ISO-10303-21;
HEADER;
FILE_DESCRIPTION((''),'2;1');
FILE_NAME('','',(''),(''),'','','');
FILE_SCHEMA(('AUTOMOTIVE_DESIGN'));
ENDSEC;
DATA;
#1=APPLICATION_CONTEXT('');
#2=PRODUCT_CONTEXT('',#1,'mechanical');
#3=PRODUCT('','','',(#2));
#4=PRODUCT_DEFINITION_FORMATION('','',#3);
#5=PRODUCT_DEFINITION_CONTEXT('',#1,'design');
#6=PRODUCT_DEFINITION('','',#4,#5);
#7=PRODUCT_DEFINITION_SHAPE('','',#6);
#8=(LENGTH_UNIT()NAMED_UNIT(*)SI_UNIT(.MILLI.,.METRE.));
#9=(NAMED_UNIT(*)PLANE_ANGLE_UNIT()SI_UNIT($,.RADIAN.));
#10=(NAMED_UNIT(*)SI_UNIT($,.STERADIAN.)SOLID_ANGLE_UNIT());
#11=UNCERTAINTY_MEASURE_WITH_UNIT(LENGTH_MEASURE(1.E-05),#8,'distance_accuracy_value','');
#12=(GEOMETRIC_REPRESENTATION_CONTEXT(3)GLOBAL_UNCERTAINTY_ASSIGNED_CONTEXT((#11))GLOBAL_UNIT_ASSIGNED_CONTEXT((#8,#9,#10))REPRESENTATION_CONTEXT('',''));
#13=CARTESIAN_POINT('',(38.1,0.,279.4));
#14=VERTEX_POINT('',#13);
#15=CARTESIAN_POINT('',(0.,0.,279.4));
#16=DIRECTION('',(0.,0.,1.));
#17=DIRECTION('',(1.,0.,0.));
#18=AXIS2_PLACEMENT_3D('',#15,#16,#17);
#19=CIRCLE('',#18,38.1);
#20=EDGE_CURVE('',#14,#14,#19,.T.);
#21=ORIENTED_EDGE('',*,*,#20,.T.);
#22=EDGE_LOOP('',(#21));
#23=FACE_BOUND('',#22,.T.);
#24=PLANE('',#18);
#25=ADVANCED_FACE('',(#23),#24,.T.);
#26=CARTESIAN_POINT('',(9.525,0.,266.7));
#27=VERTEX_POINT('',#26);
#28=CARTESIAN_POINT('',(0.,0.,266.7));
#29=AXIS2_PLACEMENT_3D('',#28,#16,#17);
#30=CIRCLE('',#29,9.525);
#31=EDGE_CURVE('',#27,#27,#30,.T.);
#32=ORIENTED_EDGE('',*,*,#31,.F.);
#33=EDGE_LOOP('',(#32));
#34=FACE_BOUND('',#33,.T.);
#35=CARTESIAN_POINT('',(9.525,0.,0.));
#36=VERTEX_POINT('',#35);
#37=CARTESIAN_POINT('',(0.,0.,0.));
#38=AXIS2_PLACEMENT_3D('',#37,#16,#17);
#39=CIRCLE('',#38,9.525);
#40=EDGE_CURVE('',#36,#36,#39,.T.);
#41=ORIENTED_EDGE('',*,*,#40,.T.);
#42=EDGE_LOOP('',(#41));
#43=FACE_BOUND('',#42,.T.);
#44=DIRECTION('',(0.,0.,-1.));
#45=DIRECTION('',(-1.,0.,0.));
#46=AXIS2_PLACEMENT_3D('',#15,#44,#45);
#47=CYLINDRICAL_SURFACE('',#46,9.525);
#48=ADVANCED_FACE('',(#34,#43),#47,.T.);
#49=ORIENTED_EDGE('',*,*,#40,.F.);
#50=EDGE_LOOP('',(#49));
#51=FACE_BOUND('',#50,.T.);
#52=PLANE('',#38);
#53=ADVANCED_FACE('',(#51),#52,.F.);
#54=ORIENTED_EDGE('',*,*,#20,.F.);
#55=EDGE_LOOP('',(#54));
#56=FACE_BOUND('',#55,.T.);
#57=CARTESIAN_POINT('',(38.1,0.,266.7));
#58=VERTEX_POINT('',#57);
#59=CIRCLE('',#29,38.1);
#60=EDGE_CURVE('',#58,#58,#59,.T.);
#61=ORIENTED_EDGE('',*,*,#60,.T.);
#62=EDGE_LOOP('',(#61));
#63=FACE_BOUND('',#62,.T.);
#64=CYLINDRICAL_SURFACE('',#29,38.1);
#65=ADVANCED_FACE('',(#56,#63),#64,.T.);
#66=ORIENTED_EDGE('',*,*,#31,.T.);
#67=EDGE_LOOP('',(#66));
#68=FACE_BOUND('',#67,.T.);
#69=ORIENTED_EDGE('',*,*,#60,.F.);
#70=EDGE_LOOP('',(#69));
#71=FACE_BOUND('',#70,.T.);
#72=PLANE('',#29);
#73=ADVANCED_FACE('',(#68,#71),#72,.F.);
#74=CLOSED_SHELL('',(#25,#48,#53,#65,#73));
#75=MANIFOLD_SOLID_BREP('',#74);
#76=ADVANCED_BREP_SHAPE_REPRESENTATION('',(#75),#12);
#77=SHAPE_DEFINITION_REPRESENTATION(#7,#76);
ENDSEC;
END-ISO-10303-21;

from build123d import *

# Parameters (mm, degrees)
SKETCH1_R           = 9.525
BOSS_EXTRUDE1_DEPTH = 279.4
SKETCH2_R           = 38.1
BOSS_EXTRUDE2_DEPTH = 12.7


with BuildPart() as part:
    # Sketch1 → Boss-Extrude1 (new body)
    with BuildSketch(Plane.XY):
        Circle(SKETCH1_R)
    extrude(amount=BOSS_EXTRUDE1_DEPTH)

    # Sketch2 → Boss-Extrude2 (add)
    with BuildSketch(Plane.XY.offset(279.4)):
        Circle(SKETCH2_R)
    extrude(amount=-BOSS_EXTRUDE2_DEPTH)


solid = part.part
